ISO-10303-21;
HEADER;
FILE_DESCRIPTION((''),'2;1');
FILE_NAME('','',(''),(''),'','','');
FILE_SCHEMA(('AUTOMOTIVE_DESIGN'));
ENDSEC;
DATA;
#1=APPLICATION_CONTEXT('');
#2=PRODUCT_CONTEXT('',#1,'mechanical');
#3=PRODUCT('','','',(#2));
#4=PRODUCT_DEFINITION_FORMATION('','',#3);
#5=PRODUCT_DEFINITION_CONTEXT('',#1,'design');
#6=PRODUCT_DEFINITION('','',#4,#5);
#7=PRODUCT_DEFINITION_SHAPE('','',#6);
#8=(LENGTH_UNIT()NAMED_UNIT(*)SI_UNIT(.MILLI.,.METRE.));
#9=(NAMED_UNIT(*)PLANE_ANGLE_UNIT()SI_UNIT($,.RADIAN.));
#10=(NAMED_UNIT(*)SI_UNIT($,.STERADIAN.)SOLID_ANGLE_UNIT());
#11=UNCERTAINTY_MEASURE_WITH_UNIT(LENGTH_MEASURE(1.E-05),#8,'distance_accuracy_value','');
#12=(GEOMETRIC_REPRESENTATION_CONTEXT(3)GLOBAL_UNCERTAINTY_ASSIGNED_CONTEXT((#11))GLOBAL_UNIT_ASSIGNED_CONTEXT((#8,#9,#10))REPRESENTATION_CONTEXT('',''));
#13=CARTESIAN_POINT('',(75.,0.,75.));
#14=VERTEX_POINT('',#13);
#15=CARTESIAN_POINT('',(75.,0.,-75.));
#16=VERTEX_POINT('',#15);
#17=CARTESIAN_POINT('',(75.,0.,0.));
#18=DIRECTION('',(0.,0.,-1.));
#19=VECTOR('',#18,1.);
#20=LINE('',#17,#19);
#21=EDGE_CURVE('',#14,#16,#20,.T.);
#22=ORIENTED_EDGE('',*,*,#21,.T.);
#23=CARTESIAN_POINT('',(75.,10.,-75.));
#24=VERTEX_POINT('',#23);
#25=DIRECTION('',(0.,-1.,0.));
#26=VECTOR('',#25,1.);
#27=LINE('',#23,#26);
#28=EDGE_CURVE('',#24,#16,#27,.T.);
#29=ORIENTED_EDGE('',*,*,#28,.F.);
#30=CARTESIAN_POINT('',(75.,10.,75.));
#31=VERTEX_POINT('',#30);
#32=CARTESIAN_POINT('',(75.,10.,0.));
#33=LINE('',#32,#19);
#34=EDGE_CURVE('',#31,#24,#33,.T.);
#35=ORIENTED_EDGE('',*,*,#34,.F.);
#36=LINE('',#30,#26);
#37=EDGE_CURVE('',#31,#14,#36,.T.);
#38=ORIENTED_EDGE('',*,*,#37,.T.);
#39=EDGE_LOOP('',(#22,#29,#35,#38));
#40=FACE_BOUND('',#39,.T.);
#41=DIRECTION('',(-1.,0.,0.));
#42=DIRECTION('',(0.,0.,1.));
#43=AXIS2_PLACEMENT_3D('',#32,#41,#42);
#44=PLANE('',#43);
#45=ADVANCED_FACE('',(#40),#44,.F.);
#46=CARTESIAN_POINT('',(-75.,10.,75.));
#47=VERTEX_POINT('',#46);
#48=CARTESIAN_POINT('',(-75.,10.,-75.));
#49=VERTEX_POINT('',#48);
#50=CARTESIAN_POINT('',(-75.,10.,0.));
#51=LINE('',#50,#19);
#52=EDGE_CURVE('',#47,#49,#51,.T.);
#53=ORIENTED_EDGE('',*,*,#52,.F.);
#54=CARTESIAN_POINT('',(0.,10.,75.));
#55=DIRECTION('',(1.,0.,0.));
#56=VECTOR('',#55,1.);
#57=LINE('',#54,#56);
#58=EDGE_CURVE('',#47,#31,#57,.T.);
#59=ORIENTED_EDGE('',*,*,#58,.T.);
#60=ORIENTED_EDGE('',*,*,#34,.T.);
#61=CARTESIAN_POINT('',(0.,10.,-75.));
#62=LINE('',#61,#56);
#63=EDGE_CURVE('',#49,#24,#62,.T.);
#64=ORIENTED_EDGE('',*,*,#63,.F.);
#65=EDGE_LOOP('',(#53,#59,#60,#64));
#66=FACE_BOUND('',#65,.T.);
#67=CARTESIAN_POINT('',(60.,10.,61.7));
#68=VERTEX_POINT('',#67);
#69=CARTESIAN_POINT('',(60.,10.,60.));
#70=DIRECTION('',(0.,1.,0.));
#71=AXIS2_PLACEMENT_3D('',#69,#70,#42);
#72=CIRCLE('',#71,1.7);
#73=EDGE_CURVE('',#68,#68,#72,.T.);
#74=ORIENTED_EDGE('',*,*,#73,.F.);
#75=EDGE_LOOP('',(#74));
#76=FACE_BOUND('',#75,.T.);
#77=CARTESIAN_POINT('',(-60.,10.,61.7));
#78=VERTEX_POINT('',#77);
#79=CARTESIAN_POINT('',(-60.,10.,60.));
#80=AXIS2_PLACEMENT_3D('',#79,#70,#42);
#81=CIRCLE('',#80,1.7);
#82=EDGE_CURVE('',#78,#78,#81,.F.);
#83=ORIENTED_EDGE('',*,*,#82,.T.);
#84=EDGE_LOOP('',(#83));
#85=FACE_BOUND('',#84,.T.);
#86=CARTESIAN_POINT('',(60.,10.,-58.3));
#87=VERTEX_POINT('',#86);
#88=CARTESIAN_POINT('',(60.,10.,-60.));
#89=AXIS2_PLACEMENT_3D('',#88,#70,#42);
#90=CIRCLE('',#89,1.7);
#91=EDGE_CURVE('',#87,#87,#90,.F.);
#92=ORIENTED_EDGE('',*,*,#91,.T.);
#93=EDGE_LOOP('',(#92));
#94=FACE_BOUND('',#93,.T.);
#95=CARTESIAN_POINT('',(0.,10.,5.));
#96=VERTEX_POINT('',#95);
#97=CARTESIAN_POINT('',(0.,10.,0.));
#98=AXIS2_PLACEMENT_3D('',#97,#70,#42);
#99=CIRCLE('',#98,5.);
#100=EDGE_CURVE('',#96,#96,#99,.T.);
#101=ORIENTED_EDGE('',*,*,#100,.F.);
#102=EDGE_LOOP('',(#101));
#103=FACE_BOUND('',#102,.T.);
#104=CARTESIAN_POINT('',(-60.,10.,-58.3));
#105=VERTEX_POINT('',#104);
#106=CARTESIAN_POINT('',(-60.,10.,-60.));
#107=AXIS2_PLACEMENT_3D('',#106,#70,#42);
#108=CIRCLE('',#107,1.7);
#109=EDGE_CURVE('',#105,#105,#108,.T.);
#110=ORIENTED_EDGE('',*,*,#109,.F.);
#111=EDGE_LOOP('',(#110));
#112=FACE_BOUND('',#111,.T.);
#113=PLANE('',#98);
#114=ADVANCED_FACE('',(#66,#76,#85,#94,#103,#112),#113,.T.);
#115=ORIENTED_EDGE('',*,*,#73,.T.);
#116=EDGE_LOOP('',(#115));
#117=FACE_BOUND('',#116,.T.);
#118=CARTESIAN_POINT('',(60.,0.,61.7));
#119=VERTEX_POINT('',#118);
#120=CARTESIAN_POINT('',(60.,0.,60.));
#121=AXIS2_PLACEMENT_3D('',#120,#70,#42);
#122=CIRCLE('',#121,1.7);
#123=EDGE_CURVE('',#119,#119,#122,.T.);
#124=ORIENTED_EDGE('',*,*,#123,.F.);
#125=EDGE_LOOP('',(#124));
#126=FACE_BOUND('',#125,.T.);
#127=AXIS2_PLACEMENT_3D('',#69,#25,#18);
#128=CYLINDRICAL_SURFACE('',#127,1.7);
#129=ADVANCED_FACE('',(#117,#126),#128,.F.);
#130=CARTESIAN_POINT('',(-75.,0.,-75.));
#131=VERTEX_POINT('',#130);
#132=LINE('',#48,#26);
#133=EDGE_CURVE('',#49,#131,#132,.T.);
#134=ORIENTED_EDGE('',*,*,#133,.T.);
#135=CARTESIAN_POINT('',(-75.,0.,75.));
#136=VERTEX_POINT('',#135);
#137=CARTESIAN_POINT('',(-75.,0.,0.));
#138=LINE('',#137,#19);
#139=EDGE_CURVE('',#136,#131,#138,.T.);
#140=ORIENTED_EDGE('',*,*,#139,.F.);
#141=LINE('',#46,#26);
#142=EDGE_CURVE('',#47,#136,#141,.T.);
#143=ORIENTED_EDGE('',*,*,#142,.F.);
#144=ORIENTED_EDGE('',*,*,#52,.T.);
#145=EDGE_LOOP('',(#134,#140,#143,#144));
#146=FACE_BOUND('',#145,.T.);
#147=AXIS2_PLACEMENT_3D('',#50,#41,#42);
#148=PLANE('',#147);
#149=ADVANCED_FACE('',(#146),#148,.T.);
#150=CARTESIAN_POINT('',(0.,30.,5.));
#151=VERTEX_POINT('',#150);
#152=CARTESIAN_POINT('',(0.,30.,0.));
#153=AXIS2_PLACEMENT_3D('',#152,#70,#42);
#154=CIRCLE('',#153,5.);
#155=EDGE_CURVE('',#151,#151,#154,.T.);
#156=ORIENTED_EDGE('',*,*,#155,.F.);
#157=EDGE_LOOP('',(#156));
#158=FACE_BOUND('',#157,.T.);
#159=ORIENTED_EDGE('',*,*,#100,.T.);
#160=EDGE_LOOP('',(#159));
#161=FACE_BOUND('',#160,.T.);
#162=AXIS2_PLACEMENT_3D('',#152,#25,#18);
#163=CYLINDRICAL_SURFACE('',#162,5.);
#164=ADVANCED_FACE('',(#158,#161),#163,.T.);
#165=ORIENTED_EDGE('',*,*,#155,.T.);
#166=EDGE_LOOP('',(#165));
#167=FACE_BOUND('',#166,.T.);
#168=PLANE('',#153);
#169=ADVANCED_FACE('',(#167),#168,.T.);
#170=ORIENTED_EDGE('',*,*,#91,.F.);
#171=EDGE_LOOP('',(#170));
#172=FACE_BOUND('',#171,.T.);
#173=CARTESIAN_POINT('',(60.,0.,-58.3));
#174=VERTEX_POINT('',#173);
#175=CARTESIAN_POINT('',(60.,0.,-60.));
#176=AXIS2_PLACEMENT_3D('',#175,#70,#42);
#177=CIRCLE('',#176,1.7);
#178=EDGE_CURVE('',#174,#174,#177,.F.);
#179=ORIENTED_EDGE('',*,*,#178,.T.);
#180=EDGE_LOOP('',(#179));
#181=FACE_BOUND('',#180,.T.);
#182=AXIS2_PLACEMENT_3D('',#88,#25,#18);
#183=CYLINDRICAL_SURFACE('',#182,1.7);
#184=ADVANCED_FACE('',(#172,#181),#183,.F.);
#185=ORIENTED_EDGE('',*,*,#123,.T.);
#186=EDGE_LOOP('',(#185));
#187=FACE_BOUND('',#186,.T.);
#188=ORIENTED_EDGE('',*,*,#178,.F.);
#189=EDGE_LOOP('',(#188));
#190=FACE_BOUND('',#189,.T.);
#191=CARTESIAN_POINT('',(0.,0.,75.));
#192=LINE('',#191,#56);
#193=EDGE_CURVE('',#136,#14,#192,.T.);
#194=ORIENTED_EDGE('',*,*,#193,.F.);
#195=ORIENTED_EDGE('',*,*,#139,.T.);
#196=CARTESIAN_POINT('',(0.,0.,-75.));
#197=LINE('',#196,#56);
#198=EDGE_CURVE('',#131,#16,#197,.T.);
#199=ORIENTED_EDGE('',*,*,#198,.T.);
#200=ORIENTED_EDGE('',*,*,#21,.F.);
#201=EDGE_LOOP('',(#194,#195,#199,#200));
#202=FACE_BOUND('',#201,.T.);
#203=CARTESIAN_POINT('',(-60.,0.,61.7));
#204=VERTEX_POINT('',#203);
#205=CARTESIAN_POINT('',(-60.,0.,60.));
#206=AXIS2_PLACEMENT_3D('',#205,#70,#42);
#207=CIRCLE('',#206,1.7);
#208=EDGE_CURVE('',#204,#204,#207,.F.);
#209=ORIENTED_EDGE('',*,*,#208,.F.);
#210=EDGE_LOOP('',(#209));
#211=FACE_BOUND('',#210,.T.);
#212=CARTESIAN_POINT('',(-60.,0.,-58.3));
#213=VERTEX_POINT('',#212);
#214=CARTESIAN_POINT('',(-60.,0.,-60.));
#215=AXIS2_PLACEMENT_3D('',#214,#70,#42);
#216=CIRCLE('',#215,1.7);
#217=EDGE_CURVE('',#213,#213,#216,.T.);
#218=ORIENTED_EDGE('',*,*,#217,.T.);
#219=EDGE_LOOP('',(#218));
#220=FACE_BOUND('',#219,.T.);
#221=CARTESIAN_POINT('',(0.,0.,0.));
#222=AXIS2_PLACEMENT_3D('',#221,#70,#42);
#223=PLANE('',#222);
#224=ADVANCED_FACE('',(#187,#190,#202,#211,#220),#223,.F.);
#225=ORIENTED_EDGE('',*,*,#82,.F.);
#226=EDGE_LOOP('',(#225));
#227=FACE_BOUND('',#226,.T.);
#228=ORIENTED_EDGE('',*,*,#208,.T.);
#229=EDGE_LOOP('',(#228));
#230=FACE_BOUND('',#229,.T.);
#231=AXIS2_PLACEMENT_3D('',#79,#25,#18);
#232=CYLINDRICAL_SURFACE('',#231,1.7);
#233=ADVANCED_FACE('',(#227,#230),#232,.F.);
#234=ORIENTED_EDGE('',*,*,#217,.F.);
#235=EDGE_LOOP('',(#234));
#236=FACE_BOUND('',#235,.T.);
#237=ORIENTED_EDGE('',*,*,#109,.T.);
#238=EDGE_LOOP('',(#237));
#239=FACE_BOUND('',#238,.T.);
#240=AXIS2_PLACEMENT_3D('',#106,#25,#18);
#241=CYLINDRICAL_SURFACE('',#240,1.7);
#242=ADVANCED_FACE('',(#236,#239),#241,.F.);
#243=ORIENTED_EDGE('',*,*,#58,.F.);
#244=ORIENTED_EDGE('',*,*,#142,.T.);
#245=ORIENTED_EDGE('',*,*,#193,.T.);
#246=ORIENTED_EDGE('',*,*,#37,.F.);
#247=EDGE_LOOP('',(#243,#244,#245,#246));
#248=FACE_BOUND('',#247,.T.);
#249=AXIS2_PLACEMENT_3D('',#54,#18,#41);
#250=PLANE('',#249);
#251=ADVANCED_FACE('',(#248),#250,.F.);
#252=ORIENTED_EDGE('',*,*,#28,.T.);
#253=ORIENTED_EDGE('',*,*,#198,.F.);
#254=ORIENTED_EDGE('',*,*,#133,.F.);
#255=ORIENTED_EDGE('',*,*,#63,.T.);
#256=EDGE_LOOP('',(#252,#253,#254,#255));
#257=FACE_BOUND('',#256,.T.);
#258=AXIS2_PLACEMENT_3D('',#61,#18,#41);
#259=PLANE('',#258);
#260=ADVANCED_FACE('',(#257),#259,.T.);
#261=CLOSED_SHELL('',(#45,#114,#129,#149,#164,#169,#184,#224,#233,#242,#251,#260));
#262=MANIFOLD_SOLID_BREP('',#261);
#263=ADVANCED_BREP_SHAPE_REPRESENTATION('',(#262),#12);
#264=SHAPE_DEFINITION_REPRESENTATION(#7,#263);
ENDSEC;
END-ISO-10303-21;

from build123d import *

# Parameters (mm, degrees)
SKETCH2_W           = 150
SKETCH2_H           = 150
SKETCH2_R           = 1.7
SKETCH2_R_2         = 5
BOSS_EXTRUDE1_DEPTH = 10
SKETCH2_3_R         = 5
BOSS_EXTRUDE2_DEPTH = 30


with BuildPart() as part:
    # Sketch2 → Boss-Extrude1 (new body)
    with BuildSketch(Plane(origin=(0, 0, 0), x_dir=(1, 0, 0), z_dir=(0, 1, 0))):
        Rectangle(SKETCH2_W, SKETCH2_H)
        with Locations((-60, -60)):
            Circle(SKETCH2_R, mode=Mode.SUBTRACT)
        with Locations((60, -60)):
            Circle(SKETCH2_R, mode=Mode.SUBTRACT)
        with Locations((-60, 60)):
            Circle(SKETCH2_R, mode=Mode.SUBTRACT)
        Circle(SKETCH2_R_2, mode=Mode.SUBTRACT)
        with Locations((60, 60)):
            Circle(SKETCH2_R, mode=Mode.SUBTRACT)
    extrude(amount=BOSS_EXTRUDE1_DEPTH)

    # Sketch2<3> → Boss-Extrude2 (add)
    with BuildSketch(Plane(origin=(0, 0, 0), x_dir=(1, 0, 0), z_dir=(0, 1, 0))):
        Circle(SKETCH2_3_R)
    extrude(amount=BOSS_EXTRUDE2_DEPTH)


solid = part.part
